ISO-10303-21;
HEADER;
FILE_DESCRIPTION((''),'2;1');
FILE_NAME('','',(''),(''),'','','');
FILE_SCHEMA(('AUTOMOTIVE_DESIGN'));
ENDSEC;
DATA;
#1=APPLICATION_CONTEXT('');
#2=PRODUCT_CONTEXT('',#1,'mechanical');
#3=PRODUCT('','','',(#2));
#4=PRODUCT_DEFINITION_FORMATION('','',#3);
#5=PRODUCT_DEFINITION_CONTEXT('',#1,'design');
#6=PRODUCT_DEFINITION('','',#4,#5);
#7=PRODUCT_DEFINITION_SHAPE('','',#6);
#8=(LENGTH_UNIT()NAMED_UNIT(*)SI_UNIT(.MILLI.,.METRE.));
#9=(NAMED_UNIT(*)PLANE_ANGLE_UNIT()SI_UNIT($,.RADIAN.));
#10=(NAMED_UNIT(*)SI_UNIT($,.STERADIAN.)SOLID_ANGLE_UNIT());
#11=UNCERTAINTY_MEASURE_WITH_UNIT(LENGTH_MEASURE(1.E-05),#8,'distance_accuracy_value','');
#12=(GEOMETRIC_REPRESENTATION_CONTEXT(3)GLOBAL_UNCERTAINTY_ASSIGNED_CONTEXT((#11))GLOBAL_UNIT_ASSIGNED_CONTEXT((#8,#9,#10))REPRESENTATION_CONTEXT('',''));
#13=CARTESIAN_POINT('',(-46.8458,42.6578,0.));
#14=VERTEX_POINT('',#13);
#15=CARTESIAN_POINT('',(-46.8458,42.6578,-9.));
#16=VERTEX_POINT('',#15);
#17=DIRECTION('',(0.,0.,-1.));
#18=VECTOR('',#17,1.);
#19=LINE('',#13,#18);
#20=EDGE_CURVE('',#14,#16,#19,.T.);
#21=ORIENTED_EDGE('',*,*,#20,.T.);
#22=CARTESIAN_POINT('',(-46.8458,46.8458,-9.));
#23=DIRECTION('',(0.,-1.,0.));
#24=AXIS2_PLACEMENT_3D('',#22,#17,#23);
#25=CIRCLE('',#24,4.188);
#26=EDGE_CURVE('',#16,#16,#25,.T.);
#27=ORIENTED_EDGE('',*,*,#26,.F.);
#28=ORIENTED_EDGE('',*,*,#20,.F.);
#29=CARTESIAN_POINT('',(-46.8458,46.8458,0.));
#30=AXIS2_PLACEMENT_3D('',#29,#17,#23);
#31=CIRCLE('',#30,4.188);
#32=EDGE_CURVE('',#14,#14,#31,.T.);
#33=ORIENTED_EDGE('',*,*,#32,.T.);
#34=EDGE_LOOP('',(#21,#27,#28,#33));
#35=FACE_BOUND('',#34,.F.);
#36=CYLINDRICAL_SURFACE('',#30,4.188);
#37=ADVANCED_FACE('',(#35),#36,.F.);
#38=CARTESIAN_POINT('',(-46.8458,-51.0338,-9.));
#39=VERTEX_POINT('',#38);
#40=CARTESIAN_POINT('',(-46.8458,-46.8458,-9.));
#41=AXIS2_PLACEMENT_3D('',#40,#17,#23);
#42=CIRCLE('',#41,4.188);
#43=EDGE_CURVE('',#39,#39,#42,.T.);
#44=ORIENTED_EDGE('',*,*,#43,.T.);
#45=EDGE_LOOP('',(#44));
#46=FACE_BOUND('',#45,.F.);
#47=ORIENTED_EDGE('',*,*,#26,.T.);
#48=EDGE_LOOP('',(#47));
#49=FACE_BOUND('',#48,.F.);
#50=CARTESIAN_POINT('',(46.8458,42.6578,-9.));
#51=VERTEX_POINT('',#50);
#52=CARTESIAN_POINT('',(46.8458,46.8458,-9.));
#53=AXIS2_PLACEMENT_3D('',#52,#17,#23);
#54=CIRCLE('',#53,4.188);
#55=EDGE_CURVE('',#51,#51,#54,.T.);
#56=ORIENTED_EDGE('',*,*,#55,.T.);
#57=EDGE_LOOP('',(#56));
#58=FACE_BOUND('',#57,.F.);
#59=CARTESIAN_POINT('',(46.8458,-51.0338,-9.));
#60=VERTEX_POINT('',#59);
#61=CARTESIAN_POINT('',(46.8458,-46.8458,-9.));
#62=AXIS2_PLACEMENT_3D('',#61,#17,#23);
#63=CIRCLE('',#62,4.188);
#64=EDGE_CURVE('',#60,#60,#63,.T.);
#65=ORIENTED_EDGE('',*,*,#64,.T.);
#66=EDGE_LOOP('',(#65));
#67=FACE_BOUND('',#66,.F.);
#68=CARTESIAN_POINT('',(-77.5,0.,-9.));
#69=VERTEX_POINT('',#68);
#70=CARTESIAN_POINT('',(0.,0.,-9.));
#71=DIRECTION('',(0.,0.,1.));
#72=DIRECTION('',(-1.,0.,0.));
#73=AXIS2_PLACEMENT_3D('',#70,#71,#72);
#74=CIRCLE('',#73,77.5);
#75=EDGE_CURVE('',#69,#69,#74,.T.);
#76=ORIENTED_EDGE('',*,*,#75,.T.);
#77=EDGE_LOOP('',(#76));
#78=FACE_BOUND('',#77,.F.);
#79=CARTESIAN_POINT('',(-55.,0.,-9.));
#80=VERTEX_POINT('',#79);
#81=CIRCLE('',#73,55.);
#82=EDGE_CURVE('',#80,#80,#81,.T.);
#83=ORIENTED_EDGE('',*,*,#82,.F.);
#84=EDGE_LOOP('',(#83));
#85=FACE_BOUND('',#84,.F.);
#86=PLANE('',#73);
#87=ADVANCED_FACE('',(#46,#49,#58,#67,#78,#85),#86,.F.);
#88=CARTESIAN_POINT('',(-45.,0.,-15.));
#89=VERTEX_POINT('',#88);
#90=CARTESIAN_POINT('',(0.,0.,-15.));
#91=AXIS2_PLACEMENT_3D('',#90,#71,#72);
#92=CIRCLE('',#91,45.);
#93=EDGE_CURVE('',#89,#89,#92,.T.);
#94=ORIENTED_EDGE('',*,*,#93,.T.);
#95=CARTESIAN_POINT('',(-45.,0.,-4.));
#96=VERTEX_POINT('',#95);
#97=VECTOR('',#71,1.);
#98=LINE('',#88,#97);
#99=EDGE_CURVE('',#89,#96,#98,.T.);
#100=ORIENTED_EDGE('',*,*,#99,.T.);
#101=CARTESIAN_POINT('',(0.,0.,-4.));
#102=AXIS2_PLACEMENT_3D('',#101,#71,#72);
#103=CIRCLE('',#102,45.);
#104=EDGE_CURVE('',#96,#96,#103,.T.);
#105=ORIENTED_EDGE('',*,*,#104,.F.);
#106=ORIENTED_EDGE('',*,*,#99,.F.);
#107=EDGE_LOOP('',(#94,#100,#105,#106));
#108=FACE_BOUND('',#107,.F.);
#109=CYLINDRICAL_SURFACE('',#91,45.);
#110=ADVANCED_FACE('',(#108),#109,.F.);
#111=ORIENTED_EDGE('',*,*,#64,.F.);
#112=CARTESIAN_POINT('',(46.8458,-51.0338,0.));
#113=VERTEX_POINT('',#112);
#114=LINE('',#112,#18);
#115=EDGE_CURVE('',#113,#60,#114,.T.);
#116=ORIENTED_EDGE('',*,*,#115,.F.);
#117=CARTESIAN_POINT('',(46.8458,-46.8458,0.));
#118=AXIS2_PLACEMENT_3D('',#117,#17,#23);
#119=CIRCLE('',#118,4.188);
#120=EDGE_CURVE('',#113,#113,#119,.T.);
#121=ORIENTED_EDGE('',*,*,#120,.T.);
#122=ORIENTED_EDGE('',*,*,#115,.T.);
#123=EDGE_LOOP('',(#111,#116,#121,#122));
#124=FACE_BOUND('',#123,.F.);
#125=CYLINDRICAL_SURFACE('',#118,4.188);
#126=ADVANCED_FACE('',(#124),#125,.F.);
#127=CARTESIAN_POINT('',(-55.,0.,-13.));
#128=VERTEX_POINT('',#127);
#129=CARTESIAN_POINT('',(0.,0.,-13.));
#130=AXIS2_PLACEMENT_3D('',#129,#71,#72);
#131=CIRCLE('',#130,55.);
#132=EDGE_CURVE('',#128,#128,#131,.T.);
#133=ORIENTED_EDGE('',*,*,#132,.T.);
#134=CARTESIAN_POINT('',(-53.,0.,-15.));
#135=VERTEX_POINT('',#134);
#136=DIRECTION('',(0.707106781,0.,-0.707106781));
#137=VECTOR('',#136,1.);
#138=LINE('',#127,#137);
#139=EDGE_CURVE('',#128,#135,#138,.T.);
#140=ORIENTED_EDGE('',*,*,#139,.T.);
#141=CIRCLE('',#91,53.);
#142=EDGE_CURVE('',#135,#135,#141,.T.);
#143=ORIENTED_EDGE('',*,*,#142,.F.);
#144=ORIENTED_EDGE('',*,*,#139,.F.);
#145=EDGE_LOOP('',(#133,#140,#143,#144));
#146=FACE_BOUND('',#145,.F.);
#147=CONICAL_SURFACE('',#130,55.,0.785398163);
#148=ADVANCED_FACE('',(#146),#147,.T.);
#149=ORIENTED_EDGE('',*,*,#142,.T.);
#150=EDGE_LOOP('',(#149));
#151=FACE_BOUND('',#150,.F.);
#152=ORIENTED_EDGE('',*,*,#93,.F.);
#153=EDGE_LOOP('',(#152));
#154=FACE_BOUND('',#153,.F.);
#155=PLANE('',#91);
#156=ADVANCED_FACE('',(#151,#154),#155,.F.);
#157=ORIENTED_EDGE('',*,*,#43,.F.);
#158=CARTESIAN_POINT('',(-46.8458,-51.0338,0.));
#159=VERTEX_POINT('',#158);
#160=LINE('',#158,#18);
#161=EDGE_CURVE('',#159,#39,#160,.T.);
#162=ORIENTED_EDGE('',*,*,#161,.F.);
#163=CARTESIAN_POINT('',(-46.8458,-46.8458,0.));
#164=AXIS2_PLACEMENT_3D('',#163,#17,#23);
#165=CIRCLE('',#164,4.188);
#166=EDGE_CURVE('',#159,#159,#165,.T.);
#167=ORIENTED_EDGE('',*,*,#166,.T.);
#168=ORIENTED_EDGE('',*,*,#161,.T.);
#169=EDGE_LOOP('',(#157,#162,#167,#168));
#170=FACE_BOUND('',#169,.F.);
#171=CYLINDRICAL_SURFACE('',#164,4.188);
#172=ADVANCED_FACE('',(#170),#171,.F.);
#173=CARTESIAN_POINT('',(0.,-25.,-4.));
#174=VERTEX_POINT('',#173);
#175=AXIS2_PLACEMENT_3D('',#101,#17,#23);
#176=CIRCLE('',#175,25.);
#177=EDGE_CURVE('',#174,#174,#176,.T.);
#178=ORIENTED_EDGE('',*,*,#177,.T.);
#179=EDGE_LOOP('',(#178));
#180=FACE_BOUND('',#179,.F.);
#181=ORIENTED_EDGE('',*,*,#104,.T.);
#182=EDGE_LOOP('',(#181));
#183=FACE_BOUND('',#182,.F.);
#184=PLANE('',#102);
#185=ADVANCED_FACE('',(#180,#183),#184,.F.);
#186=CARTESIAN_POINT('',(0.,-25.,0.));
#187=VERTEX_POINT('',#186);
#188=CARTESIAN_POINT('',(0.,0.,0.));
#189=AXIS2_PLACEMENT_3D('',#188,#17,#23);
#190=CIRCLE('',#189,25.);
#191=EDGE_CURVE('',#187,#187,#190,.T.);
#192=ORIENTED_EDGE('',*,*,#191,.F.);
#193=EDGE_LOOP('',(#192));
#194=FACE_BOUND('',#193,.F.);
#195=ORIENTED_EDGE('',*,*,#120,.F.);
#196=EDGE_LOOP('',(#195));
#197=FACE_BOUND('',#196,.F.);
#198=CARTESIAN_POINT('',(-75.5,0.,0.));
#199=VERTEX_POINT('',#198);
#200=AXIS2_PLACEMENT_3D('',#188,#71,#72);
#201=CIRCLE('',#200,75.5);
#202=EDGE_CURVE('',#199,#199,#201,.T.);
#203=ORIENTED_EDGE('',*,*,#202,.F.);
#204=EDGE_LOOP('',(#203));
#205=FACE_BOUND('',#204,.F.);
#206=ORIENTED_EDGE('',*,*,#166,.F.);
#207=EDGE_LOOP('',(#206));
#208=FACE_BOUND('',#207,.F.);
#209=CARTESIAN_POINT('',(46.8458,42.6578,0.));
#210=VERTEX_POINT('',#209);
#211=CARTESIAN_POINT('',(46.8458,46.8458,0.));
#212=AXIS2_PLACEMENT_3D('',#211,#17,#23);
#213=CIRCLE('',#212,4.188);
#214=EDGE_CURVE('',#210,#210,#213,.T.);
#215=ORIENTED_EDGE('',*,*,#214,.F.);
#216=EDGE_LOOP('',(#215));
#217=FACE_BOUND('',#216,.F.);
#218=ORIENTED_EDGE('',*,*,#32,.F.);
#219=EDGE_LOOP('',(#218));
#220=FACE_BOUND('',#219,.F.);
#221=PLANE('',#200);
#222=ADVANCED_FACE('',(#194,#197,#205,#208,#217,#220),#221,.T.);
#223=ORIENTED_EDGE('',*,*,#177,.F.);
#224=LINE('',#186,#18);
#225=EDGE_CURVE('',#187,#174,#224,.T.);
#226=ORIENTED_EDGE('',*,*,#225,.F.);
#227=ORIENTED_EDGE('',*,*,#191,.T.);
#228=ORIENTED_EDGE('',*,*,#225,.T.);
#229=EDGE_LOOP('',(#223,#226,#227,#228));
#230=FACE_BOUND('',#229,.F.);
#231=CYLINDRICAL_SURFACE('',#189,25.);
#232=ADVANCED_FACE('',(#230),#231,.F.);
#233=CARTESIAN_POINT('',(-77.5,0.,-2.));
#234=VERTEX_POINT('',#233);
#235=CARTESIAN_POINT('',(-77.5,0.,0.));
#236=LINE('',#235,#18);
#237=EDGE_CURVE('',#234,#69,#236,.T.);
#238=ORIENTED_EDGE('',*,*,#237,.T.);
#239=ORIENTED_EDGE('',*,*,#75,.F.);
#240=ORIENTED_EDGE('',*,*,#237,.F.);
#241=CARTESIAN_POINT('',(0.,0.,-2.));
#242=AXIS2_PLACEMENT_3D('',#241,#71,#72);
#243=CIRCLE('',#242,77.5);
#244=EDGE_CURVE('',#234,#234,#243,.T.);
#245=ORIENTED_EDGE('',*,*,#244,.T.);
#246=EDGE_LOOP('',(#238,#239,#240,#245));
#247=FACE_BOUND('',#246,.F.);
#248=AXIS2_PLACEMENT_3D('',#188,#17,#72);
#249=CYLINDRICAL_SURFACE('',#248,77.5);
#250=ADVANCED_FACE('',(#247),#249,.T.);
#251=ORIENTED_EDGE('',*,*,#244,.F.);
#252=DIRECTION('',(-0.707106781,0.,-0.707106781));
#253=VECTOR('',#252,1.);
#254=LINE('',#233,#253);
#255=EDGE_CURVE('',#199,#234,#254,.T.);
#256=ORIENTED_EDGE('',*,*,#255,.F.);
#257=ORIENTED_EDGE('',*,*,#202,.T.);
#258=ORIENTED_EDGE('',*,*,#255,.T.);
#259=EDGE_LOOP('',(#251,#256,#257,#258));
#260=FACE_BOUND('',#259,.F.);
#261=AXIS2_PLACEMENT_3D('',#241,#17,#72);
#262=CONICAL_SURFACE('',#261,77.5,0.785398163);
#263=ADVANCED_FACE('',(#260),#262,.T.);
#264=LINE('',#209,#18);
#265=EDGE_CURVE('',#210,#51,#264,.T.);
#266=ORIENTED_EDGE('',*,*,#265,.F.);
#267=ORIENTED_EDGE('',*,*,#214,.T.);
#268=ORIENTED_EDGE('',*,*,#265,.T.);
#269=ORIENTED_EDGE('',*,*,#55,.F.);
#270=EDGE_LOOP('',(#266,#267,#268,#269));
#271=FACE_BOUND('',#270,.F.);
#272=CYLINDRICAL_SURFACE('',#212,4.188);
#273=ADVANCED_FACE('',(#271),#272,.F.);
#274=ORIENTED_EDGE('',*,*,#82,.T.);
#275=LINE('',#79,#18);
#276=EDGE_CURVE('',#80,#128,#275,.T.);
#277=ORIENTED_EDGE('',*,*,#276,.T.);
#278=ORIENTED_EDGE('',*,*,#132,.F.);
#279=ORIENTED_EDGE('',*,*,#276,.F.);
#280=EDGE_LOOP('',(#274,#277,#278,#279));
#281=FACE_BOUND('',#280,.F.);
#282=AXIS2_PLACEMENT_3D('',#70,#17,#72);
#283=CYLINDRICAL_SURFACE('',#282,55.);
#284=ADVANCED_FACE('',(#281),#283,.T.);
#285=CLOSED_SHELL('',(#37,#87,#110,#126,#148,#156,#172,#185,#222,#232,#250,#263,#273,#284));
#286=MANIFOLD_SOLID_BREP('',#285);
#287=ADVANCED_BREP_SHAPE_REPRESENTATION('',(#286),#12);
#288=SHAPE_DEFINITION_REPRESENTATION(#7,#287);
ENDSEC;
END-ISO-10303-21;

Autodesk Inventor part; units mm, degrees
ref_plane "YZ Plane" through (0, 0, 0) normal (1, 0, 0) x (0, 1, 0)
ref_plane "XZ Plane" through (0, 0, 0) normal (0, 1, 0) x (-1, 0, 0)
ref_plane "XY Plane" through (0, 0, 0) normal (0, 0, 1) x (1, 0, 0)
sketch "Эскиз1" plane through (0, 0, 0) normal (0, 1, 0) x (-1, 0, 0)
  line L0 (0, 0) -> (77.5, 0)
  line L1 (77.5, 0) -> (77.5, -9)
  line L2 (77.5, -9) -> (55, -9)
  line L3 (55, -9) -> (55, -15)
  line L4 (0, -4) -> (0, 0)
  line L5 (55, -15) -> (45, -15)
  line L6 (45, -15) -> (45, -4)
  line L7 (45, -4) -> (0, -4)
  dimension "d0" = 155
  dimension "d1" = 110
  dimension "d3" = 9
  dimension "d5" = 15
  dimension "d6" = 90
  dimension "d7" = 4
revolve "Вращение1" add sketch "Эскиз1" angle 360 about axis through (0, 0, -4) along (0, 0, 1)
sketch "Эскиз3" plane through (0, 0, 0) normal (0, 0, 1) x (1, 0, 0)
  circle A0 centre (0, 0) radius 66.25 construction
  line L0 (0, 0) -> (-70.023, -70.023) construction
  line L1 (0, 0) -> (99.0274, 0) construction
  point P0 (0, 0)
  point P1 (-46.8458, -46.8458)
  point P2 (46.8458, -46.8458)
  point P3 (46.8458, 46.8458)
  point P4 (-46.8458, 46.8458)
  dimension "d15" = 132.5
  dimension "d16" = 135
  dimension "d19" = 360
hole "Отверстие1" at (-46.8458, -46.8458, 0) at (46.8458, -46.8458, 0) at (46.8458, 46.8458, 0) at (-46.8458, 46.8458, 0) direction (0, 0, -1) diameter 8.376 end through all thread size "M10x1.5" class "6H" standard "ISO Metric profile"
chamfer "Фаска1" distance 2 angle 45 2 edges at (55, 0, -15) (77.5, 0, 0)
sketch "Эскиз4" plane through (0, 0, 0) normal (0, 0, 1) x (1, 0, 0)
  circle A0 centre (0, 0) radius 77.5 projected
  point P0 (0, 0)
hole "Отверстие2" at (0, 0, 0) direction (0, 0, -1) diameter 50 end through all
properties part number "МПСТ Крышка подшипника с отверстием 110" material "Сталь, углеродистая"
